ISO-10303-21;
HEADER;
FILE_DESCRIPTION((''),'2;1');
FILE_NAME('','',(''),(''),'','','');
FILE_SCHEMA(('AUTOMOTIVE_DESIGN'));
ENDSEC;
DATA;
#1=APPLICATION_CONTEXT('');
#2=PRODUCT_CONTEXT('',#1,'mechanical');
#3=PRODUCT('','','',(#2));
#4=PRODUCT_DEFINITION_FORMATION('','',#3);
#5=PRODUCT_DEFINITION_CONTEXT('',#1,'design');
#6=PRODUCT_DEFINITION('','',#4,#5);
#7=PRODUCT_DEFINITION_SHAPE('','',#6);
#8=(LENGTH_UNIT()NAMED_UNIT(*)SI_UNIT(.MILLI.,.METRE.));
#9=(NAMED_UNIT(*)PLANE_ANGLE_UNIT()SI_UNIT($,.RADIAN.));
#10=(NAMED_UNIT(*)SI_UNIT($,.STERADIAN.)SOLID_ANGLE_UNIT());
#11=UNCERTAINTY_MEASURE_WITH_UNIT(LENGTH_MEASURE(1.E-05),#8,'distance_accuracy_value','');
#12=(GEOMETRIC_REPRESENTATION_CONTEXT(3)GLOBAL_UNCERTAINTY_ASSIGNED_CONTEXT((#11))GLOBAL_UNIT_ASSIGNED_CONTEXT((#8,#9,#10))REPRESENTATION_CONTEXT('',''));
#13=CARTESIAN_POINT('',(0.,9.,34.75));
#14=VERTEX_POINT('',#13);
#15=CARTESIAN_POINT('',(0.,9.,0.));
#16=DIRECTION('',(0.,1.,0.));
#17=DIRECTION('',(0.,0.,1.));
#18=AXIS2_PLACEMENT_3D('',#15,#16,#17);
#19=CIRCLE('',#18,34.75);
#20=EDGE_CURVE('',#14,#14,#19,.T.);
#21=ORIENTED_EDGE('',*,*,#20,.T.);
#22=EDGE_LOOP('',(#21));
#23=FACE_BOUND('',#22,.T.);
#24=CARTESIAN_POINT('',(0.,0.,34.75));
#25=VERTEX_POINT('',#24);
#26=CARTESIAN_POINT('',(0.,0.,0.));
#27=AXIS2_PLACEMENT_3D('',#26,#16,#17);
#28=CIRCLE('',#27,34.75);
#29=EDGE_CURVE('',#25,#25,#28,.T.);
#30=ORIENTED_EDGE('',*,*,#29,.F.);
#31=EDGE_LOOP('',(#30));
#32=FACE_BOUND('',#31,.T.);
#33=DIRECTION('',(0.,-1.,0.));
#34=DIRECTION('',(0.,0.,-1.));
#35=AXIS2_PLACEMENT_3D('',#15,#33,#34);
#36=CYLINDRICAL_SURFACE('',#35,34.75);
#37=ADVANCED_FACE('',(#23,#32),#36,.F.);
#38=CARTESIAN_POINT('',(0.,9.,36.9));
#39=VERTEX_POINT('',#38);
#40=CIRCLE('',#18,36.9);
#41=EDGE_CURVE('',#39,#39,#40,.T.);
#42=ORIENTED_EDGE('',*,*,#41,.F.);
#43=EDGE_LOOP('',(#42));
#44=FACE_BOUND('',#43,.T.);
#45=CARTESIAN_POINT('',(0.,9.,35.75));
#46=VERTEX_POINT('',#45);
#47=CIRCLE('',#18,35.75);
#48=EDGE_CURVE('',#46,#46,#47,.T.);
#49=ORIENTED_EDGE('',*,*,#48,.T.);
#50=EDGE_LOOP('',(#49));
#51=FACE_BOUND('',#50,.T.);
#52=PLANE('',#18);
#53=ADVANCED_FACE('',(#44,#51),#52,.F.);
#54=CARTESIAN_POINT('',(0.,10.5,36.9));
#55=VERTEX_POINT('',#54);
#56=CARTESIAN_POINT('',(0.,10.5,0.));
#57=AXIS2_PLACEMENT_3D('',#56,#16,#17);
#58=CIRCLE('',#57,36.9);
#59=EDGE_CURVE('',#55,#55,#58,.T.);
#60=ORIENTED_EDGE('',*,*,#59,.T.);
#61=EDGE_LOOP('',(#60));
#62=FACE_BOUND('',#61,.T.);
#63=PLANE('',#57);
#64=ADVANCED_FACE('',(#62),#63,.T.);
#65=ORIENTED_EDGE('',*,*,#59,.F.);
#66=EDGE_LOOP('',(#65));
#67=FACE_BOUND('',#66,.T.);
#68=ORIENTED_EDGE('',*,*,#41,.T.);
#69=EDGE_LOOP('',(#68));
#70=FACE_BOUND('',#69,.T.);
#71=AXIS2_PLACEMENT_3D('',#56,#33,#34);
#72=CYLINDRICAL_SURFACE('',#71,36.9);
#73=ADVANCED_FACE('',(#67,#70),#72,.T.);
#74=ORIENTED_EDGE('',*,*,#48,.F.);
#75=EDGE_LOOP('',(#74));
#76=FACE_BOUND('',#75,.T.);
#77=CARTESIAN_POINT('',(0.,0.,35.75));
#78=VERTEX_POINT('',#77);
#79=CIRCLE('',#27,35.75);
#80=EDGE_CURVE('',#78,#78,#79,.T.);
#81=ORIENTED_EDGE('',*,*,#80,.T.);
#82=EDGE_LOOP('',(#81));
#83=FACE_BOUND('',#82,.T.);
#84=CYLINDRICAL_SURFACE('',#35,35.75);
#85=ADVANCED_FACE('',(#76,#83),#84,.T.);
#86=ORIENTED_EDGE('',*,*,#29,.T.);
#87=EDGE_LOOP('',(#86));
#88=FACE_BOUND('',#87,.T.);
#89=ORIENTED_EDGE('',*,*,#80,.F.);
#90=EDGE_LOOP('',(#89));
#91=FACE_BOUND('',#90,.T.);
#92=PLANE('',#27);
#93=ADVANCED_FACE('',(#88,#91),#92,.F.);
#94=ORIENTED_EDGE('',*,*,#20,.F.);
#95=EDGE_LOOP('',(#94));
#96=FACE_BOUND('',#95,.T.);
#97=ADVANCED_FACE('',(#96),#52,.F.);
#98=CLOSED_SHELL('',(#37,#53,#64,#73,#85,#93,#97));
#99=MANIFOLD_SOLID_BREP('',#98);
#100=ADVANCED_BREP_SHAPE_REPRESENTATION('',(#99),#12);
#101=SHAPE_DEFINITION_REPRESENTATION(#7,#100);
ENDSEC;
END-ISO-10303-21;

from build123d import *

# Parameters (mm, degrees)
SKETCH1_R           = 35.75
SKETCH1_R_2         = 34.75
BOSS_EXTRUDE1_DEPTH = 9
SKETCH2_R           = 36.9
BOSS_EXTRUDE2_DEPTH = 1.5


with BuildPart() as part:
    # Sketch1 → Boss-Extrude1 (new body)
    with BuildSketch(Plane(origin=(0, 0, 0), x_dir=(1, 0, 0), z_dir=(0, 1, 0))):
        with Locations(Location((0, 0, 0), (0, 0, 270))):
            Circle(SKETCH1_R)
        with Locations(Location((0, 0, 0), (0, 0, 270))):
            Circle(SKETCH1_R_2, mode=Mode.SUBTRACT)
    extrude(amount=BOSS_EXTRUDE1_DEPTH)

    # Sketch2 → Boss-Extrude2 (add)
    with BuildSketch(Plane(origin=(0, 9, 0), x_dir=(1, 0, 0), z_dir=(0, 1, 0))):
        with Locations(Location((0, 0, 0), (0, 0, 270))):
            Circle(SKETCH2_R)
    extrude(amount=BOSS_EXTRUDE2_DEPTH)


solid = part.part
